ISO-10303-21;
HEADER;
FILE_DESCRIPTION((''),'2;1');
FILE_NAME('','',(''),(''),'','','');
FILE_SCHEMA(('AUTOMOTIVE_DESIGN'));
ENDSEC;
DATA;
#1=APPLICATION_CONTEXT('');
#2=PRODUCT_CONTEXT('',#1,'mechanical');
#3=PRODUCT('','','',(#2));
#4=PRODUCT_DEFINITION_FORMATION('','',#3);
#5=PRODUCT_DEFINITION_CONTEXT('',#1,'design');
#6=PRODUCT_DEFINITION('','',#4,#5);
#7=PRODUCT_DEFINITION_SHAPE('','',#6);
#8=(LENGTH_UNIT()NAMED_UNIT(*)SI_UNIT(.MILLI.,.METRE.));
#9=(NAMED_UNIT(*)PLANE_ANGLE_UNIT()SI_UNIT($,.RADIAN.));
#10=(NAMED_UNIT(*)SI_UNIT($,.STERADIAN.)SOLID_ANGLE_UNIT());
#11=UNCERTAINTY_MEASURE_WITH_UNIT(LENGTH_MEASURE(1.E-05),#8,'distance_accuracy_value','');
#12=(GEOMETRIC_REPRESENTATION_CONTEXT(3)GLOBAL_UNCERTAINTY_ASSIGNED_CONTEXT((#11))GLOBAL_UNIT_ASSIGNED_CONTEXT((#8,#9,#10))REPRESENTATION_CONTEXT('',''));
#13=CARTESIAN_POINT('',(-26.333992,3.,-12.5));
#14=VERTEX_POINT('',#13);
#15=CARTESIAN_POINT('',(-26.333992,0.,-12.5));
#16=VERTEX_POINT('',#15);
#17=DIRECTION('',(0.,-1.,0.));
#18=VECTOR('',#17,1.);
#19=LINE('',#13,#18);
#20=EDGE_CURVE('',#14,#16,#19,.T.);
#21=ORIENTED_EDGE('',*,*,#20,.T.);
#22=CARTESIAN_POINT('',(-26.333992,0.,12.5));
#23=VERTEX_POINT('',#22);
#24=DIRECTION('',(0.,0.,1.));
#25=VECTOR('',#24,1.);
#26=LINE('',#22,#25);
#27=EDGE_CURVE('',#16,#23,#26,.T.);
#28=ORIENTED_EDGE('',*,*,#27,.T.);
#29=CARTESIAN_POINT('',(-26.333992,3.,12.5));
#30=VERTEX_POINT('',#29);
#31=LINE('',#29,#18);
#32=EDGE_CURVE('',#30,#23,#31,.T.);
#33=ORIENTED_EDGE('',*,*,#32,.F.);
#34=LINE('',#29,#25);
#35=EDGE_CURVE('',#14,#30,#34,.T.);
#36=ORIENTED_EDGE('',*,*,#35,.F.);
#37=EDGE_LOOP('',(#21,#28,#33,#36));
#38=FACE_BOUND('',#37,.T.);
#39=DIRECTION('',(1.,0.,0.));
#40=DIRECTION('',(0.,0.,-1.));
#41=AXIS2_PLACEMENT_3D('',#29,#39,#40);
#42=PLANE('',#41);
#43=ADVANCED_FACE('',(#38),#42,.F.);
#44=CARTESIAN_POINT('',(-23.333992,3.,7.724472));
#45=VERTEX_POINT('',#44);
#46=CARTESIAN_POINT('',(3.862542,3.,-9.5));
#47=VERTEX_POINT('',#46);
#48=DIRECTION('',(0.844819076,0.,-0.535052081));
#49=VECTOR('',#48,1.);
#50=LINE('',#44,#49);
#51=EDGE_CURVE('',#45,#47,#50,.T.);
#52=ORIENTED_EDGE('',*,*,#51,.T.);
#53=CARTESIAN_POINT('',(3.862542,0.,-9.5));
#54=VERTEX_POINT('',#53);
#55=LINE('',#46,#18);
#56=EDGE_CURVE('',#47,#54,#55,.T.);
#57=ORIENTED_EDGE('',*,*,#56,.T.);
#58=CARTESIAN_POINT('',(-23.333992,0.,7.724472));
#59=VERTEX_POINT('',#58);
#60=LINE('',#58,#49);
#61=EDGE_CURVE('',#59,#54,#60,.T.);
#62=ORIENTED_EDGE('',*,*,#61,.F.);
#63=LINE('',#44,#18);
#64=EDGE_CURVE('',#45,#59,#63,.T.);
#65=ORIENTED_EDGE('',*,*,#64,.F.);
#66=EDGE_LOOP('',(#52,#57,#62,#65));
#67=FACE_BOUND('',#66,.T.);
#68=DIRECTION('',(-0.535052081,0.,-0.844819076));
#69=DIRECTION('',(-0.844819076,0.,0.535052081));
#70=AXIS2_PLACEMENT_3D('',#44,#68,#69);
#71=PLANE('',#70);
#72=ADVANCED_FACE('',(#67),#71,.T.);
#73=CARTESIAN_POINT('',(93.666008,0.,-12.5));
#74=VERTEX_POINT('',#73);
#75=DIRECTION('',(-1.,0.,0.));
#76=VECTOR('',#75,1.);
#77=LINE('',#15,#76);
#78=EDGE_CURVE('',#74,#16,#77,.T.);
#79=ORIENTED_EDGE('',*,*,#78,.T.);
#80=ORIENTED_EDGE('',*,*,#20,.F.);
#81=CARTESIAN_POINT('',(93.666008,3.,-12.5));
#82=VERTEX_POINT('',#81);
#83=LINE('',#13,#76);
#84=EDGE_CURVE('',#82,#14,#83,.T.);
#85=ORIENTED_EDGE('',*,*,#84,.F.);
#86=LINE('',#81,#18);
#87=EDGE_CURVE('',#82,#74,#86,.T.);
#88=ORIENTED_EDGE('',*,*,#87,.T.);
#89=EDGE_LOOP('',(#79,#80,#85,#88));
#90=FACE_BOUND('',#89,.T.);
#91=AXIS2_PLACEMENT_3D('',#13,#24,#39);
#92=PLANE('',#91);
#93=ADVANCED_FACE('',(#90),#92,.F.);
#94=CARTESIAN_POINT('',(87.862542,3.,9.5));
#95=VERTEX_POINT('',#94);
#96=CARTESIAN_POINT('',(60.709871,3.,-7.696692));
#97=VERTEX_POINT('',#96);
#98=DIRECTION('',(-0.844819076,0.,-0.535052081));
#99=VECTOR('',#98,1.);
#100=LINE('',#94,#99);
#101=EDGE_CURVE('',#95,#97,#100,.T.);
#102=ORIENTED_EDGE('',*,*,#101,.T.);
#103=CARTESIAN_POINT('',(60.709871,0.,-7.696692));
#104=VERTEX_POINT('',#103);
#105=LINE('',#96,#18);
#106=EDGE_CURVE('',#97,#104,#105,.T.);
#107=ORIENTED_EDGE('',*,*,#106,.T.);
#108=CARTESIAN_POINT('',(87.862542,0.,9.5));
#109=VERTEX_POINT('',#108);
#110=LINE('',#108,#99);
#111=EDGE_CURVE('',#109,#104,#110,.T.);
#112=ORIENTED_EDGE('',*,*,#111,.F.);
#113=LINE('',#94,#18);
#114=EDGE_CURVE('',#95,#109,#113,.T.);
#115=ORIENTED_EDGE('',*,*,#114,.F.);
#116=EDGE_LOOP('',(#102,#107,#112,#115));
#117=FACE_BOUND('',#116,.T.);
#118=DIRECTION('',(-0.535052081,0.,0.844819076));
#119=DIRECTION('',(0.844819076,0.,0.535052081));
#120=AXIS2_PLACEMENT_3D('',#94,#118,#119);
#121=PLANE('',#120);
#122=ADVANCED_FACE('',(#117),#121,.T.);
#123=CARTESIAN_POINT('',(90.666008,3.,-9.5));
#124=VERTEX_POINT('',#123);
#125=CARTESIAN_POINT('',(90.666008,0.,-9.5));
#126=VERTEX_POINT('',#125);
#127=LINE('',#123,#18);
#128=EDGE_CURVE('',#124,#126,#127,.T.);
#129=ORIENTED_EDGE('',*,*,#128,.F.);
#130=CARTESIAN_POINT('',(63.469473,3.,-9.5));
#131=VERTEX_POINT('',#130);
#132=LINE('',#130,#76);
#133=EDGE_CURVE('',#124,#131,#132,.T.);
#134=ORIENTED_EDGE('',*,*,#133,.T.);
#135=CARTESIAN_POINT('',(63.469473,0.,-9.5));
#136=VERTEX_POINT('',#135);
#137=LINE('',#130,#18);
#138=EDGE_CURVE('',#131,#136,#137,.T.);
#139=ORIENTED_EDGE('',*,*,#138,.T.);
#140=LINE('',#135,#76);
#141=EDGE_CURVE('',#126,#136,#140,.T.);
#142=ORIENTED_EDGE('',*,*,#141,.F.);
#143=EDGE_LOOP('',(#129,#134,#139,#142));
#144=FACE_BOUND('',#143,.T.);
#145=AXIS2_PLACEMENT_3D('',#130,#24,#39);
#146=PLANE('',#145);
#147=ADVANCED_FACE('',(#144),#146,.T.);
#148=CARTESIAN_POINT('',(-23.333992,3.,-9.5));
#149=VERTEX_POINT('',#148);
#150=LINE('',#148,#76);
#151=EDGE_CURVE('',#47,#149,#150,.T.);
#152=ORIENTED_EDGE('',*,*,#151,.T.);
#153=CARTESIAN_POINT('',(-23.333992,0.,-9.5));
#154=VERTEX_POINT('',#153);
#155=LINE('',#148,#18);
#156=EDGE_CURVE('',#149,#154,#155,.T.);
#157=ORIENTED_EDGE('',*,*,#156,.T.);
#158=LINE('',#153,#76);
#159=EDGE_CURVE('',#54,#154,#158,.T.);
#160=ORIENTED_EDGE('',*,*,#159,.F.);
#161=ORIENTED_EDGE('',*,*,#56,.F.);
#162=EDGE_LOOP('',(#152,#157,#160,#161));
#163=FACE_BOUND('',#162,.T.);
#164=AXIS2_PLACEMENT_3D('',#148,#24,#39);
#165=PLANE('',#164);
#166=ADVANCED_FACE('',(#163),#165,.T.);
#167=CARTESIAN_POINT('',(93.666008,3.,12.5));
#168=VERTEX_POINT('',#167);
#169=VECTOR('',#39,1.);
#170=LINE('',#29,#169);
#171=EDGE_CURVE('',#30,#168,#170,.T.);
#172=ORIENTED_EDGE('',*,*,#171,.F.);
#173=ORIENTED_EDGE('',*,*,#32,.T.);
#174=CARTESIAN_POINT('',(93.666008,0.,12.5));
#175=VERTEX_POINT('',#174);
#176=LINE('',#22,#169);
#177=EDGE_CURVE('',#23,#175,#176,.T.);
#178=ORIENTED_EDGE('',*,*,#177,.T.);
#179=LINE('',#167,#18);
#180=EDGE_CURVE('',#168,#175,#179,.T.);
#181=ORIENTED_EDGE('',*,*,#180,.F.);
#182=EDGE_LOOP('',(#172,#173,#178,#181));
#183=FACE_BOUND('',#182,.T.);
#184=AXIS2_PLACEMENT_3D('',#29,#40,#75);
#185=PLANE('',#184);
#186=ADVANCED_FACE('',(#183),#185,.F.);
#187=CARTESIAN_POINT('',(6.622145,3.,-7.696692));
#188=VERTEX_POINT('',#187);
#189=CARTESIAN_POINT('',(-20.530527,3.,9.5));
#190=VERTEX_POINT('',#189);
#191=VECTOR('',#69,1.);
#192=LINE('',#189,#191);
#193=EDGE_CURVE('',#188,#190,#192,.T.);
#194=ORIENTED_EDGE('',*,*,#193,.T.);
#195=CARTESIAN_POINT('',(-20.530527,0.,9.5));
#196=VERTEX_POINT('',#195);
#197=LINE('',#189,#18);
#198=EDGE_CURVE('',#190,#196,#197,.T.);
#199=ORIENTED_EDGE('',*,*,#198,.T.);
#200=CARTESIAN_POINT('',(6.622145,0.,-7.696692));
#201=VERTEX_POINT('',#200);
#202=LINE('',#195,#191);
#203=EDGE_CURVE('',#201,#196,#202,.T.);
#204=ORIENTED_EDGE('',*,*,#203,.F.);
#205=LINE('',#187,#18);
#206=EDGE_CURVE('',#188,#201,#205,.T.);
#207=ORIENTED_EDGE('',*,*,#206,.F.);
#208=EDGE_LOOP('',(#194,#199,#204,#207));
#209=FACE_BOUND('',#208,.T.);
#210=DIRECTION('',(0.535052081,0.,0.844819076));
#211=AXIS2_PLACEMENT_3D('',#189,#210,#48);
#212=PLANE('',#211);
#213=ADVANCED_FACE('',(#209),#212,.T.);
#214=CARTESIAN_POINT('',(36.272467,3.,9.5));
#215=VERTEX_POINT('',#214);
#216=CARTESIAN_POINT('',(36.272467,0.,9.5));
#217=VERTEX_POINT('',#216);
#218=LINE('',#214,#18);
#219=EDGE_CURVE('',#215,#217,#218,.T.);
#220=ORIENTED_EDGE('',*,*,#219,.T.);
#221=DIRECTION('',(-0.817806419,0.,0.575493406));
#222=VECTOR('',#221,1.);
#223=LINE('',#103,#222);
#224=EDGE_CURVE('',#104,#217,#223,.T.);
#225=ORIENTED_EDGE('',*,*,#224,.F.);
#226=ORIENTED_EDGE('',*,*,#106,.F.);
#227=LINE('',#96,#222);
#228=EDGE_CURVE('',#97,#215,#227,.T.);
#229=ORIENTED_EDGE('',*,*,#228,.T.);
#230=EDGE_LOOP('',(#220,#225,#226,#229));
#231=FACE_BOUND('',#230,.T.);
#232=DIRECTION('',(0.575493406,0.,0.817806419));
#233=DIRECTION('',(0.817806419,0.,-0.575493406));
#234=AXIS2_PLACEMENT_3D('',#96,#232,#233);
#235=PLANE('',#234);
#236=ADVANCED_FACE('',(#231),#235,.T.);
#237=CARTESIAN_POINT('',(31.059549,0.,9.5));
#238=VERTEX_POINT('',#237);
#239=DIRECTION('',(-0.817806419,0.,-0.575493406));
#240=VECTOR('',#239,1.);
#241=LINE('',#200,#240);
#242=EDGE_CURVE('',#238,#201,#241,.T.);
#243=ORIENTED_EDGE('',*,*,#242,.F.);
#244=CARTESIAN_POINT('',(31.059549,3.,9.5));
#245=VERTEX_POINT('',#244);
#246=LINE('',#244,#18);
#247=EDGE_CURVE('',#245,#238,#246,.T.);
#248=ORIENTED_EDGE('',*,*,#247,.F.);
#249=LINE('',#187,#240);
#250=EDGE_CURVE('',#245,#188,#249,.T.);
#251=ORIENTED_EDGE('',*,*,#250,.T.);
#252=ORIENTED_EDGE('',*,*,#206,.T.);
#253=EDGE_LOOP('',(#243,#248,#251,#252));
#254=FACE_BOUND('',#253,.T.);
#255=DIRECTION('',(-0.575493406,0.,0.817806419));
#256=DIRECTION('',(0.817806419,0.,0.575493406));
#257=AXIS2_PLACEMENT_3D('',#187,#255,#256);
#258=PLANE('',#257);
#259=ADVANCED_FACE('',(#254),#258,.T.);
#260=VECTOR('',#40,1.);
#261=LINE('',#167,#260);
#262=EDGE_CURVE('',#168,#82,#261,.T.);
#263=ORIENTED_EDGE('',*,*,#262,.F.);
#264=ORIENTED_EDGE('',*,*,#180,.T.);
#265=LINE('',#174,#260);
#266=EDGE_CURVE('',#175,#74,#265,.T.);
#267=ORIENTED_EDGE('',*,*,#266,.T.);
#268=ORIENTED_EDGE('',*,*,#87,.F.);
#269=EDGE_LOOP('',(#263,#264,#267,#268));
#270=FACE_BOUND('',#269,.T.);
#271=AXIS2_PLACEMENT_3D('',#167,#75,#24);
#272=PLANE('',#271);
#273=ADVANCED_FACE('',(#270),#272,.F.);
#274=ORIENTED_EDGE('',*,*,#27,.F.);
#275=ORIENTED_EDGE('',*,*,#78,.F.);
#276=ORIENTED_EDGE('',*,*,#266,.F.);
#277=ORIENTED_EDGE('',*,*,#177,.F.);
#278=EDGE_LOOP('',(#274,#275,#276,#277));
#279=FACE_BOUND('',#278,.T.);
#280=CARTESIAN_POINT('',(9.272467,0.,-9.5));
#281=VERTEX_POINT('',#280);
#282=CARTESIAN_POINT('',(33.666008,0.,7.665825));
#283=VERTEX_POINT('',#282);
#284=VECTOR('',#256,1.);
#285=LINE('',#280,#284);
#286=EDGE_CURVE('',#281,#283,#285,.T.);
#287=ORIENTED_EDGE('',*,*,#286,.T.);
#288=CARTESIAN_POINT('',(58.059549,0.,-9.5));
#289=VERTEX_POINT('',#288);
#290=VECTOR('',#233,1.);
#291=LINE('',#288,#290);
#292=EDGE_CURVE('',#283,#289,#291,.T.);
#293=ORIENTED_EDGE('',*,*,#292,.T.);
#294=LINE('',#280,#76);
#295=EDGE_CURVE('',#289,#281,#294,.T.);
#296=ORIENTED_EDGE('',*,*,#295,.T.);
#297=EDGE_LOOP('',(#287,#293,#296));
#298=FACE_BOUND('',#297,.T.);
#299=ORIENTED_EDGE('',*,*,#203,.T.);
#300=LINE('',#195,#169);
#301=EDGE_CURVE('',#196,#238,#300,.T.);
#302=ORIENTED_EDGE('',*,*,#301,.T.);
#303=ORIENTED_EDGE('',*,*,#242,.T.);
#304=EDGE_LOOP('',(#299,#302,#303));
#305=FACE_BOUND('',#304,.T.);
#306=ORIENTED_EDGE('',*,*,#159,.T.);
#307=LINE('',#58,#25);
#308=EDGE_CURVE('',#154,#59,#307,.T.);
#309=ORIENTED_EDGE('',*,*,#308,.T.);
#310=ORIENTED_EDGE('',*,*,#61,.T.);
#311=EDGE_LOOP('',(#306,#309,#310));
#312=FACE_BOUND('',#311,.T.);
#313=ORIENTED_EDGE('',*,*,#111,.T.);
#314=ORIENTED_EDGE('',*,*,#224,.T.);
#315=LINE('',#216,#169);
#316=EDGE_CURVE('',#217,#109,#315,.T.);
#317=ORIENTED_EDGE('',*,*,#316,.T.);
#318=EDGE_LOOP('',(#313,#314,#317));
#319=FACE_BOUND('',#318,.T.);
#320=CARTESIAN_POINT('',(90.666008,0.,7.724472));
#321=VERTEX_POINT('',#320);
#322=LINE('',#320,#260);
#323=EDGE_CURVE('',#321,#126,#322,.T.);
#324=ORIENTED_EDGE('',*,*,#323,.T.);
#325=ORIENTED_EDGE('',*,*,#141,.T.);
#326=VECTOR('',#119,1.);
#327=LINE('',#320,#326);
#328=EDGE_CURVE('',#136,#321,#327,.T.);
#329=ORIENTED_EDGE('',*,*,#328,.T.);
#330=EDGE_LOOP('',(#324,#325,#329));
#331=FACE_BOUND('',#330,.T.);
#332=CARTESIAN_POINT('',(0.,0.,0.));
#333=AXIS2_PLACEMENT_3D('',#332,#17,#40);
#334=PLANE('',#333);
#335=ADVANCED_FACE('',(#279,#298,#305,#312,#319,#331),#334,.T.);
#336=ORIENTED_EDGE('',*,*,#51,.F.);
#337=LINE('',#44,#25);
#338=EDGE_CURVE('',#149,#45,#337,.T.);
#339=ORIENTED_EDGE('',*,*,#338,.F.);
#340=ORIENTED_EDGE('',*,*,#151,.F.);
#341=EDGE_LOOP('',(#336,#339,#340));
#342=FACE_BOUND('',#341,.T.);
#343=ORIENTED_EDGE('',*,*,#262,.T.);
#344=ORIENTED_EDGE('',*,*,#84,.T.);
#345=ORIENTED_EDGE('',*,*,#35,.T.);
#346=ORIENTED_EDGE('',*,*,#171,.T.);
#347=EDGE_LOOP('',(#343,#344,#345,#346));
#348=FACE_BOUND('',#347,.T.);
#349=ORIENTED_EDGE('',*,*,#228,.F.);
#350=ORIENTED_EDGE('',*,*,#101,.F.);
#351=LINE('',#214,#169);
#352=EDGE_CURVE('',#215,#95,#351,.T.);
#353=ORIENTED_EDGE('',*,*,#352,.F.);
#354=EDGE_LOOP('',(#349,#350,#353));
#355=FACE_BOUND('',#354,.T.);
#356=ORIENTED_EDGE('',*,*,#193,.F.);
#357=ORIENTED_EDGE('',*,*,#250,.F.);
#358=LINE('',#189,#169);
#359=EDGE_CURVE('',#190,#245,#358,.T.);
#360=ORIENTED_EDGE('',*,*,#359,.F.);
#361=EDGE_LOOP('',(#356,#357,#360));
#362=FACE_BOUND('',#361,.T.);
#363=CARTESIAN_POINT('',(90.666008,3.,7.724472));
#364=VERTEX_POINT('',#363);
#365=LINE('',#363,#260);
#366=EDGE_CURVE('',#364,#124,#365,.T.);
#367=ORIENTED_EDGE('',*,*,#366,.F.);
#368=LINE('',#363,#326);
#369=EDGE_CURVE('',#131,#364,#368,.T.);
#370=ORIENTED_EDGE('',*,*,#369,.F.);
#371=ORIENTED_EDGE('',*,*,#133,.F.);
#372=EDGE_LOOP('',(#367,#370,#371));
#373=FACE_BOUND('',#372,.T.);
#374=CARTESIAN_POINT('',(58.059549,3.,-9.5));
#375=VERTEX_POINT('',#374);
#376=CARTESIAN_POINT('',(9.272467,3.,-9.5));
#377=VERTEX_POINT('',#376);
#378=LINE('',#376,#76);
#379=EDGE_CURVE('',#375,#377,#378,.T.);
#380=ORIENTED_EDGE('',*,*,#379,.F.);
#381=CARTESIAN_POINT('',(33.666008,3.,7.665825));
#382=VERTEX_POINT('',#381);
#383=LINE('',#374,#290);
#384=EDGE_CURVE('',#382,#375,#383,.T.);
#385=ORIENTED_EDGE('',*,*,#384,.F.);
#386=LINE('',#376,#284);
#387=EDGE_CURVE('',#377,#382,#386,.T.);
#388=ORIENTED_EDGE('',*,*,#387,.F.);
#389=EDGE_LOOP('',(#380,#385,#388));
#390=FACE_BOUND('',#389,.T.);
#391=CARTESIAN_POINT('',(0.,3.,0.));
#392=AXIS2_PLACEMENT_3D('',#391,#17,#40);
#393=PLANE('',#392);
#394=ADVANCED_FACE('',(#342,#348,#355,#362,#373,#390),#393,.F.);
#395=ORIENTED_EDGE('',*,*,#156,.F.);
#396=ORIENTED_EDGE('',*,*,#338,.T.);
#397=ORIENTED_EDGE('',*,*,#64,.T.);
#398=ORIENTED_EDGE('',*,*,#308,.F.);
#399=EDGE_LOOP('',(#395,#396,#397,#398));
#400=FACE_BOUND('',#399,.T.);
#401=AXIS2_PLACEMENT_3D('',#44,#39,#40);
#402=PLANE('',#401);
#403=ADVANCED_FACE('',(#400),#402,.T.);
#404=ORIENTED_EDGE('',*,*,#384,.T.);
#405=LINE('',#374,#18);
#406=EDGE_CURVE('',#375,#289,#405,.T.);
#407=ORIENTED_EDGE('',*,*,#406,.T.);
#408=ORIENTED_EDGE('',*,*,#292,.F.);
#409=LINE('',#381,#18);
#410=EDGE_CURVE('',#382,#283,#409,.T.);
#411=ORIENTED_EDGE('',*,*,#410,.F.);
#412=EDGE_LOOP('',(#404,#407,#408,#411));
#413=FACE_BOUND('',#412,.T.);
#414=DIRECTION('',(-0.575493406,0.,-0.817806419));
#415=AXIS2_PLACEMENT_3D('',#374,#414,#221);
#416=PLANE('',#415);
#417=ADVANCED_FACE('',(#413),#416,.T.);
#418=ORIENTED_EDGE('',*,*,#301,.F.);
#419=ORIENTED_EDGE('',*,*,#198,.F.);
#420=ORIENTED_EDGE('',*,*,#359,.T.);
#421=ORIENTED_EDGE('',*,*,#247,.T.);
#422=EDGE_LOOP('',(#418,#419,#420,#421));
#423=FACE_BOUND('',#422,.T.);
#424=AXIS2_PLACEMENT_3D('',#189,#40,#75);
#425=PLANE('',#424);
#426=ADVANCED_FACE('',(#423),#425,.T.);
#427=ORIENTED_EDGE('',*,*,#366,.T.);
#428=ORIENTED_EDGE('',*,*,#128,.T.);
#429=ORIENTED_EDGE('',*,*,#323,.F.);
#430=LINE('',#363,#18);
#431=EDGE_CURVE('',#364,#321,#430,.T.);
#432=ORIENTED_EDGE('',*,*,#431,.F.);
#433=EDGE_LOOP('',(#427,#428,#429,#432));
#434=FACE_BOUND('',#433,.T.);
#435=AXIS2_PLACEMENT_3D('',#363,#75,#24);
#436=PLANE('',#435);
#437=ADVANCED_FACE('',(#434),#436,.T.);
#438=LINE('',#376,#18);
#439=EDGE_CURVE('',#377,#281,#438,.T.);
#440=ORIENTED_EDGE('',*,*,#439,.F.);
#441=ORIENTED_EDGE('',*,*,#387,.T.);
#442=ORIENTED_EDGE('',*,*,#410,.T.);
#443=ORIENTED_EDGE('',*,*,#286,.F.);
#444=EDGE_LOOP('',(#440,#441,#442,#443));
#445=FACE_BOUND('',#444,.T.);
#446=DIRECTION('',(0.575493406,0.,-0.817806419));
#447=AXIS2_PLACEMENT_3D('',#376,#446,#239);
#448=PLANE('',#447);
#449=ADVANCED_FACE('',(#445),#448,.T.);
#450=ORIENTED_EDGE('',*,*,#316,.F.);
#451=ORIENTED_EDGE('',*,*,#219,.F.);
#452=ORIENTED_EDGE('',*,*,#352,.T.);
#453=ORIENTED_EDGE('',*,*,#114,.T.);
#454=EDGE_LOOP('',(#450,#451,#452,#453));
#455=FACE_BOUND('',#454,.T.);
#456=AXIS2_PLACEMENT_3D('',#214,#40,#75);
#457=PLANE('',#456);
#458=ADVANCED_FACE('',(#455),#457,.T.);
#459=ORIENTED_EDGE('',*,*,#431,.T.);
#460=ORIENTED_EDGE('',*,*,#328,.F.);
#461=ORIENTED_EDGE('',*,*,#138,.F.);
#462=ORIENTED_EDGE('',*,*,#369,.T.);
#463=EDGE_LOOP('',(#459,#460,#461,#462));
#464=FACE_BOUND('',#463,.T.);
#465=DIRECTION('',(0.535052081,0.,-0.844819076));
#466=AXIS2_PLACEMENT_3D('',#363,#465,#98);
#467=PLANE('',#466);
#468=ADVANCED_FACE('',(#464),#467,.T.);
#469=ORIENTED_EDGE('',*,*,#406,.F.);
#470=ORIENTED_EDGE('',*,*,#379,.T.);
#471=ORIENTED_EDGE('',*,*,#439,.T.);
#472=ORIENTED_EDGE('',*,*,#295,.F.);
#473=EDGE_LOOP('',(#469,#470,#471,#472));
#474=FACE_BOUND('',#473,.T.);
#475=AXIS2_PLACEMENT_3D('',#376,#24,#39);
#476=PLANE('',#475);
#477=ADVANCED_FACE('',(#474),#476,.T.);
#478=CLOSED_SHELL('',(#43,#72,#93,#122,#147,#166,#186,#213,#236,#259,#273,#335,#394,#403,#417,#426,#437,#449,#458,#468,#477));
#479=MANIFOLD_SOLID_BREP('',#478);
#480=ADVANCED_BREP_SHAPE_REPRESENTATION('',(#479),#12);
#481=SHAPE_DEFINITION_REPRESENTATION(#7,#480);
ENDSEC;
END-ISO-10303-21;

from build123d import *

# Parameters (mm, degrees)
SKETCH1_W           = 120
SKETCH1_H           = 25
BOSS_EXTRUDE1_DEPTH = 3


with BuildPart() as part:
    # Sketch1 → Boss-Extrude1 (new body)
    with BuildSketch(Plane(origin=(0, 0, 0), x_dir=(1, 0, 0), z_dir=(0, 1, 0))):
        with Locations((33.666007905, 0)):
            Rectangle(SKETCH1_W, SKETCH1_H)
        Polygon((-23.333992095, -7.72447191), (-23.333992095, 9.5), (3.862542499, 9.5), align=None, mode=Mode.SUBTRACT)
        Polygon((90.666007905, -7.72447191), (90.666007905, 9.5), (63.469473311, 9.5), align=None, mode=Mode.SUBTRACT)
        Polygon((-20.530526689, -9.5), (31.059548849, -9.5), (6.622144647, 7.696691846), align=None, mode=Mode.SUBTRACT)
        Polygon((60.709871163, 7.696691846), (36.272466961, -9.5), (87.862542499, -9.5), align=None, mode=Mode.SUBTRACT)
        Polygon((9.272466961, 9.5), (58.059548849, 9.5), (33.666007905, -7.665825109), align=None, mode=Mode.SUBTRACT)
    extrude(amount=BOSS_EXTRUDE1_DEPTH)


solid = part.part
